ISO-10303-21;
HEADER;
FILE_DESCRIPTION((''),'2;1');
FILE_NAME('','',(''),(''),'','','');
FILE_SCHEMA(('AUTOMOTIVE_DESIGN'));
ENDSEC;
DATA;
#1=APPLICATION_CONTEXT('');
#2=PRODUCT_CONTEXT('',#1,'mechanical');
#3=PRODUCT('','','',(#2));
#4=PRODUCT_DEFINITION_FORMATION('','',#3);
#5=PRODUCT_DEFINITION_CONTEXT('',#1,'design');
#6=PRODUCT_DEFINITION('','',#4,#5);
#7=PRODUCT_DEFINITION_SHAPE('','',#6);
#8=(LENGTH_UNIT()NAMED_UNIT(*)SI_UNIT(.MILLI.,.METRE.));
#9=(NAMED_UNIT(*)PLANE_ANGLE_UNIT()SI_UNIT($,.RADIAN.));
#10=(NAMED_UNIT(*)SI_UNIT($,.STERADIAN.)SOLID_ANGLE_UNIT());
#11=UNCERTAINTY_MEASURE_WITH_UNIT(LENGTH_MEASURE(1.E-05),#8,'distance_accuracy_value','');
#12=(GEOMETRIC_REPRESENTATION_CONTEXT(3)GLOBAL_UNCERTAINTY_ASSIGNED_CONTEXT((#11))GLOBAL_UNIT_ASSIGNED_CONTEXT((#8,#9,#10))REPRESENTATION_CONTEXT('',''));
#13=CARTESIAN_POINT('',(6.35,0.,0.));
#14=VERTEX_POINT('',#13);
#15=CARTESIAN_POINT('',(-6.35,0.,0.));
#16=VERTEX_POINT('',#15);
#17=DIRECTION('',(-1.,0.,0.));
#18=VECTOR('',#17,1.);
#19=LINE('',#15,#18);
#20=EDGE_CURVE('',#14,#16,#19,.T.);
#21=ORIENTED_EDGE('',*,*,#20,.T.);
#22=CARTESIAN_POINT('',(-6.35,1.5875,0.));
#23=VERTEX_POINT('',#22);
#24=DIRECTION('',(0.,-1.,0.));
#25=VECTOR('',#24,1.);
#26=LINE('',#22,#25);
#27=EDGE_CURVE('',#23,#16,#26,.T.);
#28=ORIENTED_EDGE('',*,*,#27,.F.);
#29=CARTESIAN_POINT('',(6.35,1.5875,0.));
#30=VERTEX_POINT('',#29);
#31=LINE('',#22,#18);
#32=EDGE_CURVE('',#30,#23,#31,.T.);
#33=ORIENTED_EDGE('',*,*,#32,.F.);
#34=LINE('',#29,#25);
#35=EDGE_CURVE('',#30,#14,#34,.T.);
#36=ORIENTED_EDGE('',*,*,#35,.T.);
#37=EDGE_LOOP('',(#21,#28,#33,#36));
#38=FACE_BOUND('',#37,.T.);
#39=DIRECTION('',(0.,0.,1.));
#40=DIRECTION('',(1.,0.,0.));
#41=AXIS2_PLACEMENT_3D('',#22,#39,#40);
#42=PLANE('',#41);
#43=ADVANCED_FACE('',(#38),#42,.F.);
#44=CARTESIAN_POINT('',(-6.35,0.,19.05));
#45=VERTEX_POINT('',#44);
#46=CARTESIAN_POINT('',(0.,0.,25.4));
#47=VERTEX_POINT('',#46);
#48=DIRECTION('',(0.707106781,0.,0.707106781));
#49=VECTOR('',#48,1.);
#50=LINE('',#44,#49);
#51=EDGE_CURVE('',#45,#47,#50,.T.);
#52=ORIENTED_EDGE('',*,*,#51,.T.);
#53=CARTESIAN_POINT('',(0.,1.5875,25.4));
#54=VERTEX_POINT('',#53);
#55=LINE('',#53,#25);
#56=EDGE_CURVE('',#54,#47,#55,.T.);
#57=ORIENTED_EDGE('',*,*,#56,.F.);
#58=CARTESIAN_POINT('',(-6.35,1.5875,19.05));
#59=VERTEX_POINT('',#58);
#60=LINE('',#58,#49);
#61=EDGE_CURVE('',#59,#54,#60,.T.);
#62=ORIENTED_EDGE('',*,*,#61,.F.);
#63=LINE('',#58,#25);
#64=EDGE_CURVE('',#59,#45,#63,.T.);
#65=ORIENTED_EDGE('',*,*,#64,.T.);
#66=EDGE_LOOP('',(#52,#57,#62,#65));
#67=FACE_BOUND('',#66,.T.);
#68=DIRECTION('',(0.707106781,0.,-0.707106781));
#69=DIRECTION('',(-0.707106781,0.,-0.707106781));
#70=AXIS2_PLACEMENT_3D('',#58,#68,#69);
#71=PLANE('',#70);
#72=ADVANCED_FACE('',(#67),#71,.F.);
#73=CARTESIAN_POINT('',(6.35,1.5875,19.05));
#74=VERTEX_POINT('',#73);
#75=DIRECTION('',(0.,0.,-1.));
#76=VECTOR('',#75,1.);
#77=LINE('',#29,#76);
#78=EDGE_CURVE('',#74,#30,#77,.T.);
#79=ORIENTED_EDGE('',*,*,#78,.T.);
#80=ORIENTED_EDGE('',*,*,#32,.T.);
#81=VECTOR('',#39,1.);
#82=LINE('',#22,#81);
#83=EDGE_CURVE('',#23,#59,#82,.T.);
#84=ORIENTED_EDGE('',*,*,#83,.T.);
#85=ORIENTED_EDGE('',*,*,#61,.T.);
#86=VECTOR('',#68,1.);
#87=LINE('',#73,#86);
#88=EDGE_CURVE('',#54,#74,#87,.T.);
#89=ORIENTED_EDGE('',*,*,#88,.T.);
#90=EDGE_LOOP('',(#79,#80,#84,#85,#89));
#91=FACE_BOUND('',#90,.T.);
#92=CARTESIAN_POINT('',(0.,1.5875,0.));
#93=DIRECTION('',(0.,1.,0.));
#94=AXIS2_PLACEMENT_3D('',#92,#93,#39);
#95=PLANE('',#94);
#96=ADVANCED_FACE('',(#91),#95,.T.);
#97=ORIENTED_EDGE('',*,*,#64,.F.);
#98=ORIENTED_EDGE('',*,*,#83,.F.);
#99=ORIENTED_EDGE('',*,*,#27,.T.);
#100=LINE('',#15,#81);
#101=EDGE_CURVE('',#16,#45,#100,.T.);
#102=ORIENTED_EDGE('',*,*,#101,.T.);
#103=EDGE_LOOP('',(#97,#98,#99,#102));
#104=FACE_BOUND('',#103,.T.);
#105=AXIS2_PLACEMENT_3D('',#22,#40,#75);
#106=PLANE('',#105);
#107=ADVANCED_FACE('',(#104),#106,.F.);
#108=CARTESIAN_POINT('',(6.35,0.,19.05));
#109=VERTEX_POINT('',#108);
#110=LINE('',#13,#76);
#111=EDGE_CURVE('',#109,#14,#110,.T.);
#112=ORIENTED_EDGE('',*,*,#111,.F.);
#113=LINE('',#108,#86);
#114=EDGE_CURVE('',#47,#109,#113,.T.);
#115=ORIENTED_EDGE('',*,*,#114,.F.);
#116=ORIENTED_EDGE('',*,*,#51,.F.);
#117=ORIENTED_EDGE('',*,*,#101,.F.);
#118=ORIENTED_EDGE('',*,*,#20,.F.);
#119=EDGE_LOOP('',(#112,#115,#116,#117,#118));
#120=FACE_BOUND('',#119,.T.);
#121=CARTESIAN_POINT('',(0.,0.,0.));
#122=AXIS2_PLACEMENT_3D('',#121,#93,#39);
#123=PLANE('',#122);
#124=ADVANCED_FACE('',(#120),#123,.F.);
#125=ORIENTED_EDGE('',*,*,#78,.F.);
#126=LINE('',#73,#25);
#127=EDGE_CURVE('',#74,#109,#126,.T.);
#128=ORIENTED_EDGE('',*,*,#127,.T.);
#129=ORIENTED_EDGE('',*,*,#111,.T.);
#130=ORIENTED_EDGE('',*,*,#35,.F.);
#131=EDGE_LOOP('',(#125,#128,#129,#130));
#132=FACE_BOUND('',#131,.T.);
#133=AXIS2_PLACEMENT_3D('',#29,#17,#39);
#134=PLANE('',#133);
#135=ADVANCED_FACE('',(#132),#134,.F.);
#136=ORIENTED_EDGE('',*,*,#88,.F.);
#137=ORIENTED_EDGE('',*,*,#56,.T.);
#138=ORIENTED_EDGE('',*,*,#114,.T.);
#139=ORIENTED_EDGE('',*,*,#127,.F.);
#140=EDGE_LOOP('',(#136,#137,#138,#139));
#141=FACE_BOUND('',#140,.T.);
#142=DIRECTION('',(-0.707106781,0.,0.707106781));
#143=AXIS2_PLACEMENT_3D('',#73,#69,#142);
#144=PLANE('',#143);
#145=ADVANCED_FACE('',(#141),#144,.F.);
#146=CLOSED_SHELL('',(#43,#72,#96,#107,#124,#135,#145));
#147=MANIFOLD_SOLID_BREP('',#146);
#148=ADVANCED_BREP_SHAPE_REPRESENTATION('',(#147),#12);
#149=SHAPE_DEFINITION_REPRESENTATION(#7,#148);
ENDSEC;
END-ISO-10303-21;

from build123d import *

# Parameters (mm, degrees)
BOSS_EXTRUDE1_DEPTH = 1.5875


with BuildPart() as part:
    # Sketch2 → Boss-Extrude1 (new body)
    with BuildSketch(Plane(origin=(0, 0, 0), x_dir=(1, 0, 0), z_dir=(0, 1, 0))):
        Polygon((-6.35, 0), (6.35, 0), (6.35, -19.05), (0, -25.4), (-6.35, -19.05), align=None)
    extrude(amount=BOSS_EXTRUDE1_DEPTH)


solid = part.part
